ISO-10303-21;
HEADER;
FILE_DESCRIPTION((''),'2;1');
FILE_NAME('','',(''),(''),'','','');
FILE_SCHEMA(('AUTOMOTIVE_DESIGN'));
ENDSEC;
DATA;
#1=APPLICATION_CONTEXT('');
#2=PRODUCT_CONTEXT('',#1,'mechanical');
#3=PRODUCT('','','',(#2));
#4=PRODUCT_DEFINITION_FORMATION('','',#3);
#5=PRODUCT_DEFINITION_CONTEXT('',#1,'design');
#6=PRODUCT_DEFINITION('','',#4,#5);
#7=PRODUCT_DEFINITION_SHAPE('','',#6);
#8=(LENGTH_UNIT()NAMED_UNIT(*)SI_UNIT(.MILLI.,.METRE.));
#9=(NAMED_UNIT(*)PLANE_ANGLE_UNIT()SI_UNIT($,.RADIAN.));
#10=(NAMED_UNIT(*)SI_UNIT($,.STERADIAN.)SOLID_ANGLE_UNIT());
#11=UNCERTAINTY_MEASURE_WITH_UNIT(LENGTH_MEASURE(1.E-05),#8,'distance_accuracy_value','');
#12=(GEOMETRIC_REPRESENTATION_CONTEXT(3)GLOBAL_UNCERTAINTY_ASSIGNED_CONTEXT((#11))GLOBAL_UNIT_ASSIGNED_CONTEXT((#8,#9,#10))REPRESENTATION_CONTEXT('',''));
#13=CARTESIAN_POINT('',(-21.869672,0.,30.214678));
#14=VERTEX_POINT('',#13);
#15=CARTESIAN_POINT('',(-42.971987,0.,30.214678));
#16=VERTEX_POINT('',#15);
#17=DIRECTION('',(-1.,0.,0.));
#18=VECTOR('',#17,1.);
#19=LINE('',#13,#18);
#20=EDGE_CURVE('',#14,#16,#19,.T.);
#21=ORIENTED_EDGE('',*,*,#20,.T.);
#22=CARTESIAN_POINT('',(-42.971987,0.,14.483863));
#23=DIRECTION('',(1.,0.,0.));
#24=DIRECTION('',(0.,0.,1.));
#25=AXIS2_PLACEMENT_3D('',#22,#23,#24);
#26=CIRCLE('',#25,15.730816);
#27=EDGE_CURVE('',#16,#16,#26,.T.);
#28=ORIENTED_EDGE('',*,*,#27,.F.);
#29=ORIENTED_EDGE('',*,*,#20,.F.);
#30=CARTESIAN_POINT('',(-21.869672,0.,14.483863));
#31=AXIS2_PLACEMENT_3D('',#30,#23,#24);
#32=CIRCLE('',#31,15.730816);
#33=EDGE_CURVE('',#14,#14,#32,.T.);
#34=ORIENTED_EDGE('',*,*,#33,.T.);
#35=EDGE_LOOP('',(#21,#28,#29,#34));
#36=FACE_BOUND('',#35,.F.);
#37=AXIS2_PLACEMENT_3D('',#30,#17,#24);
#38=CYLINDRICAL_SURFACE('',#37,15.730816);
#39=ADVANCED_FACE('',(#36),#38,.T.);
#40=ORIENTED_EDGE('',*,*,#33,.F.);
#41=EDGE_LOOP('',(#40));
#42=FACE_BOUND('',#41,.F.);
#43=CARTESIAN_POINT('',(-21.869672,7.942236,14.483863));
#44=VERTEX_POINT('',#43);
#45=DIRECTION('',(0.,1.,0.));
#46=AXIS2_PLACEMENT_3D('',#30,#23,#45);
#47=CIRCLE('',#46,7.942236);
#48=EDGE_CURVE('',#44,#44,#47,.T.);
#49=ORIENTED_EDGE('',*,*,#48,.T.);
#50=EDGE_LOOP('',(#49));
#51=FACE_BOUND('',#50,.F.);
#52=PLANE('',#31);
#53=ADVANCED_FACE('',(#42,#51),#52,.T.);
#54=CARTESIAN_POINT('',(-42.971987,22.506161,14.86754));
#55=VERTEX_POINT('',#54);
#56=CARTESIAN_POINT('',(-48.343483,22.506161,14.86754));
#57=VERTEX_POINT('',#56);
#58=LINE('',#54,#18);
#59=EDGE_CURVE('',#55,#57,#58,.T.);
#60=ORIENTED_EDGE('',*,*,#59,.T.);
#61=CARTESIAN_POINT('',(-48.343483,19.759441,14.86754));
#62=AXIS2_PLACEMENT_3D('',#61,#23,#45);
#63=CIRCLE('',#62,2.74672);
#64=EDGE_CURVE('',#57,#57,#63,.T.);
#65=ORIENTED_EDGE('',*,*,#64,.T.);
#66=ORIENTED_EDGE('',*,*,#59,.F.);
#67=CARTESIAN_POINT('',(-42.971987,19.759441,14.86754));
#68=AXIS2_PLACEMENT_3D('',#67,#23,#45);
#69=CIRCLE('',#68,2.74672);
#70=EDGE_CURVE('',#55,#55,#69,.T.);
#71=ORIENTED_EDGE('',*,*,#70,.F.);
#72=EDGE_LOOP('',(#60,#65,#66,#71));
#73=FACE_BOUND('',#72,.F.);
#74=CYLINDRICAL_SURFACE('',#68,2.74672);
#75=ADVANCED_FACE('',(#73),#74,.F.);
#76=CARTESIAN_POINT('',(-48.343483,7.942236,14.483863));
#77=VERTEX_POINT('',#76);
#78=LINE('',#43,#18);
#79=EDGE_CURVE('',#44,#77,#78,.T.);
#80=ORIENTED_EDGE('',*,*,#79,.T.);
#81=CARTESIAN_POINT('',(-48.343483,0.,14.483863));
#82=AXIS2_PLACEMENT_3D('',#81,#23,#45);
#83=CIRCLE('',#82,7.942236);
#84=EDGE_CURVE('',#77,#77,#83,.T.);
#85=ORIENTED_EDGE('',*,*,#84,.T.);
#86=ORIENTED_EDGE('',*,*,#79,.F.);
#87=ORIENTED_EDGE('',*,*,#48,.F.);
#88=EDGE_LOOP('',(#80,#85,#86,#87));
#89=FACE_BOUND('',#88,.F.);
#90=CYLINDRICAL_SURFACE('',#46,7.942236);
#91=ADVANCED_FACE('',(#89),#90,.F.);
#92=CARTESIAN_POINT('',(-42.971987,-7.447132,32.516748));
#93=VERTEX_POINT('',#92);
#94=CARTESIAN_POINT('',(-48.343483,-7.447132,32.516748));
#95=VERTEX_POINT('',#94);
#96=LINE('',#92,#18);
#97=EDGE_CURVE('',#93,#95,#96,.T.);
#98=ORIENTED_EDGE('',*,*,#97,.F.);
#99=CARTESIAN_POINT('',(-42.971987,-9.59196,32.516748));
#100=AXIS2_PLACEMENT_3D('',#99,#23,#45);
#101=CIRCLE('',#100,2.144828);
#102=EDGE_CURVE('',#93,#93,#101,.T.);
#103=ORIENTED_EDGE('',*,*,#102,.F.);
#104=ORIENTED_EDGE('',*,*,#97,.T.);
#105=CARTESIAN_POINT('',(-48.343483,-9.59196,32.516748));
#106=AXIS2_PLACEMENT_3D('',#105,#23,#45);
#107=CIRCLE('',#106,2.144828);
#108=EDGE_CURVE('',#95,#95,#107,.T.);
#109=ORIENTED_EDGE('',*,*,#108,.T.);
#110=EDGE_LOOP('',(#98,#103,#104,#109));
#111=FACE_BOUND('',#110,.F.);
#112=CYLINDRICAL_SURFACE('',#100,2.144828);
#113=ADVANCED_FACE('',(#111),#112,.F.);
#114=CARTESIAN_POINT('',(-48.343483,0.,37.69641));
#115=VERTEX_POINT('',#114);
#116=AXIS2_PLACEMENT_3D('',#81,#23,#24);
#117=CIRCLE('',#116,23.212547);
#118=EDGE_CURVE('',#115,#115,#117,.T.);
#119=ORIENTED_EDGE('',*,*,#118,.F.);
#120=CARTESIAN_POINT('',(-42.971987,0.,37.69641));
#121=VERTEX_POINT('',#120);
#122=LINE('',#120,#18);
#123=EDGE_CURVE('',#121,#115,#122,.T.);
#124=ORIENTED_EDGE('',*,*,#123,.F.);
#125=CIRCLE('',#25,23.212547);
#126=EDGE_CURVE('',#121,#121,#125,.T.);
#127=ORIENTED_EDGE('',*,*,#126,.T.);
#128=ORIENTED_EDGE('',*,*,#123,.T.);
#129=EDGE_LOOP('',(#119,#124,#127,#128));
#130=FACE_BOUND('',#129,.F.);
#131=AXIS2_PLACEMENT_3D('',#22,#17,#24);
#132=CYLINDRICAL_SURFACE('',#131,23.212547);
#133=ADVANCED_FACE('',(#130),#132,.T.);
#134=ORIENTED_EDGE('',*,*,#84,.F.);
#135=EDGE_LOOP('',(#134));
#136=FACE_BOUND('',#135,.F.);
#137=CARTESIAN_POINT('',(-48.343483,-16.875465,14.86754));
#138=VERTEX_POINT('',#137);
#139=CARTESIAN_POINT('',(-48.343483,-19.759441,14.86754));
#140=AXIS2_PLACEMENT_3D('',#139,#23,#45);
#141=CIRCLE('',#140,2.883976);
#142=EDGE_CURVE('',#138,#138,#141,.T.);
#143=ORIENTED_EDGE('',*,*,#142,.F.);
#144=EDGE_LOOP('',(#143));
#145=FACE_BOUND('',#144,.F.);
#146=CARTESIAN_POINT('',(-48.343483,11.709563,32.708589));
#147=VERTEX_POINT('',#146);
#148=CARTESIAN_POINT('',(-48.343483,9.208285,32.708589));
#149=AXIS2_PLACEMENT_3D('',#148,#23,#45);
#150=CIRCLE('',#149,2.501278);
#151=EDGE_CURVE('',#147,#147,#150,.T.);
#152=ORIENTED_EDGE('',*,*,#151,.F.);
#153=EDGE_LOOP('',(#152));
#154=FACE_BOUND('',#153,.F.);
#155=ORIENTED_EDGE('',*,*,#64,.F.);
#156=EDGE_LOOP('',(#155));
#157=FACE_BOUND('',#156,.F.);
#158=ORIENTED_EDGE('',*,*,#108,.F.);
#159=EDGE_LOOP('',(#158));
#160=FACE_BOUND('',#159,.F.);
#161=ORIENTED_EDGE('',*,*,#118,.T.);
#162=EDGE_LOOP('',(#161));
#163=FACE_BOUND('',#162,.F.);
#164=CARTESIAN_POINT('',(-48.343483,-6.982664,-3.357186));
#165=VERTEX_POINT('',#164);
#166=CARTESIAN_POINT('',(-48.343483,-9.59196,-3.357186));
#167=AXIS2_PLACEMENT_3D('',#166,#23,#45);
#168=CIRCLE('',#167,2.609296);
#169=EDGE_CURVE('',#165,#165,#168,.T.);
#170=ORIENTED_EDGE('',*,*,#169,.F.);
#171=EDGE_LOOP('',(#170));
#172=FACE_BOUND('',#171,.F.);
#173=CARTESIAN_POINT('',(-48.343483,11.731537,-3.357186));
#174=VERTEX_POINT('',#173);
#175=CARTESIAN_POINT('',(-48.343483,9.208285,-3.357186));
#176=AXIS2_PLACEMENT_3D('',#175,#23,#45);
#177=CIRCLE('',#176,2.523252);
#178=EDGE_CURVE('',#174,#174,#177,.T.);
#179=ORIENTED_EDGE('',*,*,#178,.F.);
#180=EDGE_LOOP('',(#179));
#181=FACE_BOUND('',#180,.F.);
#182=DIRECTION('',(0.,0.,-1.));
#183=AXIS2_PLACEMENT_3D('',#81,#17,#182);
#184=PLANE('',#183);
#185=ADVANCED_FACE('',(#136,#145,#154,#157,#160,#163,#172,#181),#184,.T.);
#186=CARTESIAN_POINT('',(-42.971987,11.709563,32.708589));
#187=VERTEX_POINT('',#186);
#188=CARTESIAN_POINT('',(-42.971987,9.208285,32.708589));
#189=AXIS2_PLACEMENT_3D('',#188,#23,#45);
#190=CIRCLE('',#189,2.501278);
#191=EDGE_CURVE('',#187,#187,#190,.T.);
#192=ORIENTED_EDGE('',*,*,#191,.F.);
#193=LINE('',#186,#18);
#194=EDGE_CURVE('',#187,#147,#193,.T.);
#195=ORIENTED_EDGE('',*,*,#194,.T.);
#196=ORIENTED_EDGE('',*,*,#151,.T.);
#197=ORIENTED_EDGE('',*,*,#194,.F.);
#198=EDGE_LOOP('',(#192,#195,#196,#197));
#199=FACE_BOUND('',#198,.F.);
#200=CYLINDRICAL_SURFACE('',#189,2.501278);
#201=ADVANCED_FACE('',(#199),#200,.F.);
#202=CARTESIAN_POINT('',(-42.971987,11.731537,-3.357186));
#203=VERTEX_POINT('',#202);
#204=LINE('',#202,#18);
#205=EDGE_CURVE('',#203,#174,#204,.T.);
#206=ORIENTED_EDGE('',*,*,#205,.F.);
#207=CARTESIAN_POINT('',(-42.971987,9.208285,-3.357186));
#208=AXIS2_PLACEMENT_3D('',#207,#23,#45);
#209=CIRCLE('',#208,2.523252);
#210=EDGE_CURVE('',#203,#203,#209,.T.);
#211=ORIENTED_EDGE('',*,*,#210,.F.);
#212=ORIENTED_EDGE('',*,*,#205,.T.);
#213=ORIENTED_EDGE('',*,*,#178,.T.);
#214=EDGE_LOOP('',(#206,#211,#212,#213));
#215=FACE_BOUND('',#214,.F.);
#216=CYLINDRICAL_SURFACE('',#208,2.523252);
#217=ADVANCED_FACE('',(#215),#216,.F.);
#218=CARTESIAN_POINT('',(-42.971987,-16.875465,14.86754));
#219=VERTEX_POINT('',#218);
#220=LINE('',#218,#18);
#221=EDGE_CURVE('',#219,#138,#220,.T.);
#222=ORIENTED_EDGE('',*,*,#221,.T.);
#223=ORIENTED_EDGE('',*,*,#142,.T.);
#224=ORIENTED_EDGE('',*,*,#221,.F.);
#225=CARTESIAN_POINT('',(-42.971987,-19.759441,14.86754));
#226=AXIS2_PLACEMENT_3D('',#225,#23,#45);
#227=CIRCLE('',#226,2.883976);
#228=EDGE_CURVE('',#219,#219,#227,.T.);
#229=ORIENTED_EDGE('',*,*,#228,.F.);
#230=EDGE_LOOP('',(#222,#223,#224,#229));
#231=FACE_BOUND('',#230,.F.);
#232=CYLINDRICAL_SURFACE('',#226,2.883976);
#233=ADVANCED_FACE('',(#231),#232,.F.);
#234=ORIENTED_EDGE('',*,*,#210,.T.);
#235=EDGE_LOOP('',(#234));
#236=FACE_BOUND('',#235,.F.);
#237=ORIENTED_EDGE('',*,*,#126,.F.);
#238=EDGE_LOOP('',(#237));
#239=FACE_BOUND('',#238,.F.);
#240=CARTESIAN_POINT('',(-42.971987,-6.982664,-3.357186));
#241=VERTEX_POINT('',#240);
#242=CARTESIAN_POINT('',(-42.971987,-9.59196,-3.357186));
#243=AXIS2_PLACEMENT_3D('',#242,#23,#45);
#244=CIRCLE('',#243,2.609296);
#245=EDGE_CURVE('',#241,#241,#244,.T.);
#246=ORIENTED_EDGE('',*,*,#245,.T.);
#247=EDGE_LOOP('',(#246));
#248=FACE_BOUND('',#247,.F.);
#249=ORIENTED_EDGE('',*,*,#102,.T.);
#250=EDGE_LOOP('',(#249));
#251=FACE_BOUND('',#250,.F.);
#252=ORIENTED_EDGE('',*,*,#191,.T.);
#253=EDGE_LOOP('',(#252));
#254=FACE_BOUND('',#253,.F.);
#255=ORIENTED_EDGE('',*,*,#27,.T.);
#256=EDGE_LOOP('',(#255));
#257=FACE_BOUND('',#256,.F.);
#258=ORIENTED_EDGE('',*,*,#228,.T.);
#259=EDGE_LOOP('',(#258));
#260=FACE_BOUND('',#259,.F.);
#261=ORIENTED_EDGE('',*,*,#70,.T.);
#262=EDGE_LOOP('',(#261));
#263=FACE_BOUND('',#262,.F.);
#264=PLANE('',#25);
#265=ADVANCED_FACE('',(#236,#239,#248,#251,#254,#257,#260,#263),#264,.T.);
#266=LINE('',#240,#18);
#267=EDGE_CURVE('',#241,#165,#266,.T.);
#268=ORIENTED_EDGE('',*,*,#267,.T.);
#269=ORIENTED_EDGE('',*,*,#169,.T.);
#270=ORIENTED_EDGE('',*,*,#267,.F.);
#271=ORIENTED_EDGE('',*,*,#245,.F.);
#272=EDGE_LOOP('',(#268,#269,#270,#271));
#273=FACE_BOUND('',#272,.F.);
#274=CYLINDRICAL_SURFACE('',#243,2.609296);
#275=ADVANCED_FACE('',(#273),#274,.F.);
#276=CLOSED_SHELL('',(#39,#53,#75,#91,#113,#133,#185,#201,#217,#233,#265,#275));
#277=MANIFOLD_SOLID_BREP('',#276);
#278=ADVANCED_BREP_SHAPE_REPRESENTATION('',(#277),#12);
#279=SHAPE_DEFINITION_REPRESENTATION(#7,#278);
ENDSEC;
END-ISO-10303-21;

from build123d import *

# Parameters (mm, degrees)
F0_W     = 26.4738108963
F0_H     = 8.0572450534
F2_R     = 7.9422363179
F3_DEPTH = 26.4738108963
F5_R     = 2.1448281624
F5_R_2   = 2.5012779103
F5_R_3   = 2.6092964081
F5_R_4   = 2.5232516324
F5_R_5   = 2.8839759477
F5_R_6   = 2.7467200302
F6_DEPTH = 5.3714960814


with BuildPart() as f1:
    # F0 (on Front) → F1 (revolve)
    with BuildSketch(Plane.XZ):
        Polygon((-48.3434833586, 37.6964099705), (-48.3434833586, 22.5411076099), (-21.8696724623, 22.5411076099), (-21.8696724623, 30.2146784961), (-42.9719872773, 30.2146784961), (-42.9719872773, 37.6964099705), align=None)
        with Locations((-35.1065779105, 18.5124850832)):
            Rectangle(F0_W, F0_H)
    revolve(axis=Axis((-35.1065779105, 0, 14.4838625565), (1, 0, 0)))

    # F2 (on face) → F3 (cut, through all)
    with BuildSketch(Plane.YZ.offset(-21.8696724623)):
        with Locations((0, 14.4838625565)):
            Circle(F2_R)
    extrude(amount=-F3_DEPTH, mode=Mode.SUBTRACT)

    # F5 (on face) → F6 (cut, through all)
    with BuildSketch(Plane.YZ.offset(-42.9719872773)):
        with Locations((-9.5919603482, 32.5167477131)):
            Circle(F5_R)
        with Locations((9.2082852498, 32.7085889876)):
            Circle(F5_R_2)
        with Locations((-9.5919603482, -3.3571864478)):
            Circle(F5_R_3)
        with Locations((9.2082852498, -3.3571864478)):
            Circle(F5_R_4)
        with Locations((-19.7594407946, 14.8675395176)):
            Circle(F5_R_5)
        with Locations((19.7594407946, 14.8675395176)):
            Circle(F5_R_6)
    extrude(amount=-F6_DEPTH, mode=Mode.SUBTRACT)


solid = f1.part
